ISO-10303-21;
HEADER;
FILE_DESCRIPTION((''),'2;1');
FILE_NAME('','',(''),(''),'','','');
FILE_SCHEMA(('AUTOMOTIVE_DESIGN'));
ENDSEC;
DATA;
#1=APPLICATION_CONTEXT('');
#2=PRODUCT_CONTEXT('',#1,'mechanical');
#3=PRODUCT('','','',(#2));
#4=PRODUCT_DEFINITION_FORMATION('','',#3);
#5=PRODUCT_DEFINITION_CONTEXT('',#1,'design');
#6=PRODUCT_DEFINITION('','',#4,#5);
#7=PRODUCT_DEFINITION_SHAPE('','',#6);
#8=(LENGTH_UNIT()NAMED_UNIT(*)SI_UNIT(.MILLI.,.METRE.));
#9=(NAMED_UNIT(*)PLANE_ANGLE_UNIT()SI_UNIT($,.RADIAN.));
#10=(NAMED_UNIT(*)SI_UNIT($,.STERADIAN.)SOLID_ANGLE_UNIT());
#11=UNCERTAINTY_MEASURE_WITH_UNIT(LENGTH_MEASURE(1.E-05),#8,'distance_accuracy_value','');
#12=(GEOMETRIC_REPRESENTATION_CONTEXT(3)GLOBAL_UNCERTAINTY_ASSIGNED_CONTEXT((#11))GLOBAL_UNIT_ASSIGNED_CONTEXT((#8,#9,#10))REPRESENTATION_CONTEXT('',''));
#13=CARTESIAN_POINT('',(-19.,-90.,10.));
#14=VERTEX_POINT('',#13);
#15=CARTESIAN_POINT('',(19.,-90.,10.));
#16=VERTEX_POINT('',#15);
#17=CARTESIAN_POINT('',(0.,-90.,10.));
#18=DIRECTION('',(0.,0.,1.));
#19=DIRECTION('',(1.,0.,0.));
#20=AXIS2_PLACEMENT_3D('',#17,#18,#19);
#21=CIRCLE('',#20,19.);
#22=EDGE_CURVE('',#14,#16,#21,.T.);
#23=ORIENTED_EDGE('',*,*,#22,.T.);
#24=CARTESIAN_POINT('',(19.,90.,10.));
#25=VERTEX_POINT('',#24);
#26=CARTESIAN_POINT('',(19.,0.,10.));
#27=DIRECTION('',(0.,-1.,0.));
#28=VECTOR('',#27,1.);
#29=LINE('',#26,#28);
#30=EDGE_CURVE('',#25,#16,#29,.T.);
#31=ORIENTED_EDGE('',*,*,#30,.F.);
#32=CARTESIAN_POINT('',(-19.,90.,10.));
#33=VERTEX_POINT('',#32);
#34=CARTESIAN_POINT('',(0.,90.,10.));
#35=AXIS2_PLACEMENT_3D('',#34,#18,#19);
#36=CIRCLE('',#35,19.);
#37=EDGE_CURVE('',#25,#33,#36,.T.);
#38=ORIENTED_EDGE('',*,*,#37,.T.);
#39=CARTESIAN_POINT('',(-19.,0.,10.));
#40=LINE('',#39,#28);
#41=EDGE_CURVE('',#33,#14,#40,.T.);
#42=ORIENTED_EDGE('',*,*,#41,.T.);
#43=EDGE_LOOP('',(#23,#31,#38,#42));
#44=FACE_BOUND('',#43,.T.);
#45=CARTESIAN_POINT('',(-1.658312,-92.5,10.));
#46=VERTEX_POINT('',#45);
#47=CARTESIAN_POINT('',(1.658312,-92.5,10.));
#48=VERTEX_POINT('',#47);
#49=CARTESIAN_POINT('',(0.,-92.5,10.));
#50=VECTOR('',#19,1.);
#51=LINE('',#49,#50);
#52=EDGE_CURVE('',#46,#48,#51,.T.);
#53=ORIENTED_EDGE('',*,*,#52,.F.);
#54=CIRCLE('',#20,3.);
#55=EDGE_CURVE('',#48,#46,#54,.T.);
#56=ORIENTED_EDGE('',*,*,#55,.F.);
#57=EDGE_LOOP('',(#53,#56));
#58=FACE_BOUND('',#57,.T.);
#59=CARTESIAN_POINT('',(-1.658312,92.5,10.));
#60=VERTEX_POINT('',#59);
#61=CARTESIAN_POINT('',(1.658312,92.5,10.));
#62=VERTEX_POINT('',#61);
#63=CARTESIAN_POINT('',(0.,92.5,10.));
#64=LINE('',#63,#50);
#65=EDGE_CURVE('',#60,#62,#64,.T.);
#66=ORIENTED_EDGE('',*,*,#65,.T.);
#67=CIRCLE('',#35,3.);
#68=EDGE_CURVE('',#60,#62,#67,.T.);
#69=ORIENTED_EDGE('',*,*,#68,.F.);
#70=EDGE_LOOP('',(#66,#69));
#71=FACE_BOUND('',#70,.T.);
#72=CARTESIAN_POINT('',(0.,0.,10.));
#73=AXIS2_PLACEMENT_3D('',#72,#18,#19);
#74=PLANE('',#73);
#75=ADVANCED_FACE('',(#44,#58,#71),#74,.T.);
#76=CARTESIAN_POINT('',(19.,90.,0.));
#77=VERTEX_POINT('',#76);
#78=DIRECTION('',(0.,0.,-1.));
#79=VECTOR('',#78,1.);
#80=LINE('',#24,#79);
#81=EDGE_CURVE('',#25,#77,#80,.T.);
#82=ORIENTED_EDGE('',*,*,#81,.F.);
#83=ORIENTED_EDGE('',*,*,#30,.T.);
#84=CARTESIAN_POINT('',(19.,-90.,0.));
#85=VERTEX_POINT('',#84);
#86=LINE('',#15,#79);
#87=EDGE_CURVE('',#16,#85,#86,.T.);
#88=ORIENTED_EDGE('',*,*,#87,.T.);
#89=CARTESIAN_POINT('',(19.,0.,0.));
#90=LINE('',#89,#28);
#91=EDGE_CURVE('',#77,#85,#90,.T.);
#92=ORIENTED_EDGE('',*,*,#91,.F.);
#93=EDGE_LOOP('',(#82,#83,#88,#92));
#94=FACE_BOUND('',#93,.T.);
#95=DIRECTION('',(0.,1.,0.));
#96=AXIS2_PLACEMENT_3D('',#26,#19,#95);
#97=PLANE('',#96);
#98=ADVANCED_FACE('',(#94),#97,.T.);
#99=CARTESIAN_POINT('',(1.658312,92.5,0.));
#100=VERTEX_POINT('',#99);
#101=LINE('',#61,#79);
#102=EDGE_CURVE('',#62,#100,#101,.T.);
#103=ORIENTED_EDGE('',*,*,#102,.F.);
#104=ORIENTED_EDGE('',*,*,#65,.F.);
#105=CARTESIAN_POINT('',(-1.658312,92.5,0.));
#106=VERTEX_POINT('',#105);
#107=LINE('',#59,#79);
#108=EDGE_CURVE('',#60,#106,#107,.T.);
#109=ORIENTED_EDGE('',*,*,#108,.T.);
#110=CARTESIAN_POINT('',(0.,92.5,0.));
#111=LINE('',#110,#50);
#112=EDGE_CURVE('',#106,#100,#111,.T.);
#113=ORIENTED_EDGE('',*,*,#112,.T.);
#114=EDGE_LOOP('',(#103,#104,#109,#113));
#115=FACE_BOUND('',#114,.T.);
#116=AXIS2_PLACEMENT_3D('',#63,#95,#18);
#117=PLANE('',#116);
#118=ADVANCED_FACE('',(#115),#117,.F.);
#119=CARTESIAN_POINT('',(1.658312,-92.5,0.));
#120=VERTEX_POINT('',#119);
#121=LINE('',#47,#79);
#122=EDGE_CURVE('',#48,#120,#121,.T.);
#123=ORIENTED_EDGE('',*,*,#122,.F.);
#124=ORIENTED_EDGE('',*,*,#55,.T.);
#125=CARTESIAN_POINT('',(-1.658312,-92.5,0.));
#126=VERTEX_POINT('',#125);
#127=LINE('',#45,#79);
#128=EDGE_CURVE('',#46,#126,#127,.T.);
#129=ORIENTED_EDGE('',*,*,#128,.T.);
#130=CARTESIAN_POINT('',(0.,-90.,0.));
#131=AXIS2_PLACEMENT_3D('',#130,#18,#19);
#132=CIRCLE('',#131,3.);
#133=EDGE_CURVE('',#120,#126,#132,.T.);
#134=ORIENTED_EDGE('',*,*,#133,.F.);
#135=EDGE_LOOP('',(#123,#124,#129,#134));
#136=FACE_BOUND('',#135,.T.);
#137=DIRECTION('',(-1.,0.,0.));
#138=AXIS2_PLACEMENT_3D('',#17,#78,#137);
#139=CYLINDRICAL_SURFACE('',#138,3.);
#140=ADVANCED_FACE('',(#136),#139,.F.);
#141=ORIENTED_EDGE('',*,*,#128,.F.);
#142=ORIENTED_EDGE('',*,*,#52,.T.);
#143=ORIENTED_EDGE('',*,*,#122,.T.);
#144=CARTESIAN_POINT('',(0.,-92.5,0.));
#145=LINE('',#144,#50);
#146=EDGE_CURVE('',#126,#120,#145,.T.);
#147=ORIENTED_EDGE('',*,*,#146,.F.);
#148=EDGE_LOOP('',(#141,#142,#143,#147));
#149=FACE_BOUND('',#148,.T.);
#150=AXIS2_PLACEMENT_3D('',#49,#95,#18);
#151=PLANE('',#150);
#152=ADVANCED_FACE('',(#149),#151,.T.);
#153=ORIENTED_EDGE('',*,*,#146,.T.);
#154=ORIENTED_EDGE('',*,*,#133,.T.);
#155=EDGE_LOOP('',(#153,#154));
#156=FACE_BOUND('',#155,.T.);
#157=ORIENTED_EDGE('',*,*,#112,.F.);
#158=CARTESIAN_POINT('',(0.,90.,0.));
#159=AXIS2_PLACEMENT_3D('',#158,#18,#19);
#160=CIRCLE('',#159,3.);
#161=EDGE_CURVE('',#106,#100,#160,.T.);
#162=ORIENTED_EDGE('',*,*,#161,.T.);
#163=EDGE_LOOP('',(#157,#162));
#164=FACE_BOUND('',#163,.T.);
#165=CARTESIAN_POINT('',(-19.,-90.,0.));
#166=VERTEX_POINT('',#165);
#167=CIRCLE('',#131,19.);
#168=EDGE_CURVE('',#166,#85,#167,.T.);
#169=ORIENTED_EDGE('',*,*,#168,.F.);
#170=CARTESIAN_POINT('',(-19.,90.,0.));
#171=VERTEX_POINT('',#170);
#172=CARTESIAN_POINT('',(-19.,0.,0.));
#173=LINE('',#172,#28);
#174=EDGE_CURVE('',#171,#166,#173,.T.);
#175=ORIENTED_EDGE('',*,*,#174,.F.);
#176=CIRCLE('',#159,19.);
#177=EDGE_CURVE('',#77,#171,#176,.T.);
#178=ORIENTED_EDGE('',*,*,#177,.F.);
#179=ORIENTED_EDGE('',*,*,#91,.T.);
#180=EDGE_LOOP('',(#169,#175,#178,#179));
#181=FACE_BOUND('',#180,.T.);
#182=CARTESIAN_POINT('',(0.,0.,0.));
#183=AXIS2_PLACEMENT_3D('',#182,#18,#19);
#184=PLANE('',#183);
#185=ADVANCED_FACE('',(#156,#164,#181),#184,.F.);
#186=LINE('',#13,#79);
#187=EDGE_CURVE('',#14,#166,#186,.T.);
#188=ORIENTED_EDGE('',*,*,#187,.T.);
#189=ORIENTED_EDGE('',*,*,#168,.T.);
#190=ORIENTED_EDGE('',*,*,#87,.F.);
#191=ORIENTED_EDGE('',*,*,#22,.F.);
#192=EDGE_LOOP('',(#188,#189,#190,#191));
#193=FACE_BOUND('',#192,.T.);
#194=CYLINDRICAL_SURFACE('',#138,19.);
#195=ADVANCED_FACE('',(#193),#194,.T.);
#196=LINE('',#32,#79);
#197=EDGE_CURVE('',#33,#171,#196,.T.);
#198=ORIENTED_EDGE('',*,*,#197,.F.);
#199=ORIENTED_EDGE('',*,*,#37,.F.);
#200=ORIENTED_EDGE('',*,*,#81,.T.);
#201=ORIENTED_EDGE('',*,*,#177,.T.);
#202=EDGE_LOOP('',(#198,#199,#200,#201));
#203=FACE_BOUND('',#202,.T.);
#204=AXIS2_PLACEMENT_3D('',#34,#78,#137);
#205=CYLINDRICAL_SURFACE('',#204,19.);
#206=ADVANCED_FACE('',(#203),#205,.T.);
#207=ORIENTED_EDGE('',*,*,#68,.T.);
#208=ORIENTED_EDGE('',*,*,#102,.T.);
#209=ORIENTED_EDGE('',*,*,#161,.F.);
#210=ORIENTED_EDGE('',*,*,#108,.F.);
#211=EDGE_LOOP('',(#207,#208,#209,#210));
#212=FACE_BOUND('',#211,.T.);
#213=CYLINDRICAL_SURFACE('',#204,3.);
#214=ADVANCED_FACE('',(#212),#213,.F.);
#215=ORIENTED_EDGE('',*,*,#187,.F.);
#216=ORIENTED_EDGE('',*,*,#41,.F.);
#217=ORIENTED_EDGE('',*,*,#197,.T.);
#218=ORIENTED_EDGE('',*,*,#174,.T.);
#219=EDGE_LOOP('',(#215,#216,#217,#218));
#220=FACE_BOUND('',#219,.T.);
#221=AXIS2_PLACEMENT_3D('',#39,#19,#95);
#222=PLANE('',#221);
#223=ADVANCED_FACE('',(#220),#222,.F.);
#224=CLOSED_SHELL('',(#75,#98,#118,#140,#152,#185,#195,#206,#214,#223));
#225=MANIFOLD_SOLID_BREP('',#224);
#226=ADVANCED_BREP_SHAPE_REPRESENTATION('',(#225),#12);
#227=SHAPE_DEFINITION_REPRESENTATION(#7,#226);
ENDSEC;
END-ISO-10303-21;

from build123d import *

# Parameters (mm, degrees)
EXTRUDE_1_DEPTH = 10


with BuildPart() as part:
    # 草图1 → 凸台-拉伸1 (new body)
    with BuildSketch(Plane.XY):
        with BuildLine():
            Line((19, -90), (19, 90))
            ThreePointArc((19, 90), (0, 109), (-19, 90))
            Line((-19, 90), (-19, -90))
            ThreePointArc((-19, -90), (0, -109), (19, -90))
        make_face()
        with BuildLine():
            ThreePointArc((-1.658312395, -92.5), (0, -87), (1.658312395, -92.5))
            Line((1.658312395, -92.5), (-1.658312395, -92.5))
        make_face(mode=Mode.SUBTRACT)
        with BuildLine():
            Line((-1.658312395, 92.5), (1.658312395, 92.5))
            ThreePointArc((1.658312395, 92.5), (0, 87), (-1.658312395, 92.5))
        make_face(mode=Mode.SUBTRACT)
    extrude(amount=EXTRUDE_1_DEPTH)


solid = part.part
